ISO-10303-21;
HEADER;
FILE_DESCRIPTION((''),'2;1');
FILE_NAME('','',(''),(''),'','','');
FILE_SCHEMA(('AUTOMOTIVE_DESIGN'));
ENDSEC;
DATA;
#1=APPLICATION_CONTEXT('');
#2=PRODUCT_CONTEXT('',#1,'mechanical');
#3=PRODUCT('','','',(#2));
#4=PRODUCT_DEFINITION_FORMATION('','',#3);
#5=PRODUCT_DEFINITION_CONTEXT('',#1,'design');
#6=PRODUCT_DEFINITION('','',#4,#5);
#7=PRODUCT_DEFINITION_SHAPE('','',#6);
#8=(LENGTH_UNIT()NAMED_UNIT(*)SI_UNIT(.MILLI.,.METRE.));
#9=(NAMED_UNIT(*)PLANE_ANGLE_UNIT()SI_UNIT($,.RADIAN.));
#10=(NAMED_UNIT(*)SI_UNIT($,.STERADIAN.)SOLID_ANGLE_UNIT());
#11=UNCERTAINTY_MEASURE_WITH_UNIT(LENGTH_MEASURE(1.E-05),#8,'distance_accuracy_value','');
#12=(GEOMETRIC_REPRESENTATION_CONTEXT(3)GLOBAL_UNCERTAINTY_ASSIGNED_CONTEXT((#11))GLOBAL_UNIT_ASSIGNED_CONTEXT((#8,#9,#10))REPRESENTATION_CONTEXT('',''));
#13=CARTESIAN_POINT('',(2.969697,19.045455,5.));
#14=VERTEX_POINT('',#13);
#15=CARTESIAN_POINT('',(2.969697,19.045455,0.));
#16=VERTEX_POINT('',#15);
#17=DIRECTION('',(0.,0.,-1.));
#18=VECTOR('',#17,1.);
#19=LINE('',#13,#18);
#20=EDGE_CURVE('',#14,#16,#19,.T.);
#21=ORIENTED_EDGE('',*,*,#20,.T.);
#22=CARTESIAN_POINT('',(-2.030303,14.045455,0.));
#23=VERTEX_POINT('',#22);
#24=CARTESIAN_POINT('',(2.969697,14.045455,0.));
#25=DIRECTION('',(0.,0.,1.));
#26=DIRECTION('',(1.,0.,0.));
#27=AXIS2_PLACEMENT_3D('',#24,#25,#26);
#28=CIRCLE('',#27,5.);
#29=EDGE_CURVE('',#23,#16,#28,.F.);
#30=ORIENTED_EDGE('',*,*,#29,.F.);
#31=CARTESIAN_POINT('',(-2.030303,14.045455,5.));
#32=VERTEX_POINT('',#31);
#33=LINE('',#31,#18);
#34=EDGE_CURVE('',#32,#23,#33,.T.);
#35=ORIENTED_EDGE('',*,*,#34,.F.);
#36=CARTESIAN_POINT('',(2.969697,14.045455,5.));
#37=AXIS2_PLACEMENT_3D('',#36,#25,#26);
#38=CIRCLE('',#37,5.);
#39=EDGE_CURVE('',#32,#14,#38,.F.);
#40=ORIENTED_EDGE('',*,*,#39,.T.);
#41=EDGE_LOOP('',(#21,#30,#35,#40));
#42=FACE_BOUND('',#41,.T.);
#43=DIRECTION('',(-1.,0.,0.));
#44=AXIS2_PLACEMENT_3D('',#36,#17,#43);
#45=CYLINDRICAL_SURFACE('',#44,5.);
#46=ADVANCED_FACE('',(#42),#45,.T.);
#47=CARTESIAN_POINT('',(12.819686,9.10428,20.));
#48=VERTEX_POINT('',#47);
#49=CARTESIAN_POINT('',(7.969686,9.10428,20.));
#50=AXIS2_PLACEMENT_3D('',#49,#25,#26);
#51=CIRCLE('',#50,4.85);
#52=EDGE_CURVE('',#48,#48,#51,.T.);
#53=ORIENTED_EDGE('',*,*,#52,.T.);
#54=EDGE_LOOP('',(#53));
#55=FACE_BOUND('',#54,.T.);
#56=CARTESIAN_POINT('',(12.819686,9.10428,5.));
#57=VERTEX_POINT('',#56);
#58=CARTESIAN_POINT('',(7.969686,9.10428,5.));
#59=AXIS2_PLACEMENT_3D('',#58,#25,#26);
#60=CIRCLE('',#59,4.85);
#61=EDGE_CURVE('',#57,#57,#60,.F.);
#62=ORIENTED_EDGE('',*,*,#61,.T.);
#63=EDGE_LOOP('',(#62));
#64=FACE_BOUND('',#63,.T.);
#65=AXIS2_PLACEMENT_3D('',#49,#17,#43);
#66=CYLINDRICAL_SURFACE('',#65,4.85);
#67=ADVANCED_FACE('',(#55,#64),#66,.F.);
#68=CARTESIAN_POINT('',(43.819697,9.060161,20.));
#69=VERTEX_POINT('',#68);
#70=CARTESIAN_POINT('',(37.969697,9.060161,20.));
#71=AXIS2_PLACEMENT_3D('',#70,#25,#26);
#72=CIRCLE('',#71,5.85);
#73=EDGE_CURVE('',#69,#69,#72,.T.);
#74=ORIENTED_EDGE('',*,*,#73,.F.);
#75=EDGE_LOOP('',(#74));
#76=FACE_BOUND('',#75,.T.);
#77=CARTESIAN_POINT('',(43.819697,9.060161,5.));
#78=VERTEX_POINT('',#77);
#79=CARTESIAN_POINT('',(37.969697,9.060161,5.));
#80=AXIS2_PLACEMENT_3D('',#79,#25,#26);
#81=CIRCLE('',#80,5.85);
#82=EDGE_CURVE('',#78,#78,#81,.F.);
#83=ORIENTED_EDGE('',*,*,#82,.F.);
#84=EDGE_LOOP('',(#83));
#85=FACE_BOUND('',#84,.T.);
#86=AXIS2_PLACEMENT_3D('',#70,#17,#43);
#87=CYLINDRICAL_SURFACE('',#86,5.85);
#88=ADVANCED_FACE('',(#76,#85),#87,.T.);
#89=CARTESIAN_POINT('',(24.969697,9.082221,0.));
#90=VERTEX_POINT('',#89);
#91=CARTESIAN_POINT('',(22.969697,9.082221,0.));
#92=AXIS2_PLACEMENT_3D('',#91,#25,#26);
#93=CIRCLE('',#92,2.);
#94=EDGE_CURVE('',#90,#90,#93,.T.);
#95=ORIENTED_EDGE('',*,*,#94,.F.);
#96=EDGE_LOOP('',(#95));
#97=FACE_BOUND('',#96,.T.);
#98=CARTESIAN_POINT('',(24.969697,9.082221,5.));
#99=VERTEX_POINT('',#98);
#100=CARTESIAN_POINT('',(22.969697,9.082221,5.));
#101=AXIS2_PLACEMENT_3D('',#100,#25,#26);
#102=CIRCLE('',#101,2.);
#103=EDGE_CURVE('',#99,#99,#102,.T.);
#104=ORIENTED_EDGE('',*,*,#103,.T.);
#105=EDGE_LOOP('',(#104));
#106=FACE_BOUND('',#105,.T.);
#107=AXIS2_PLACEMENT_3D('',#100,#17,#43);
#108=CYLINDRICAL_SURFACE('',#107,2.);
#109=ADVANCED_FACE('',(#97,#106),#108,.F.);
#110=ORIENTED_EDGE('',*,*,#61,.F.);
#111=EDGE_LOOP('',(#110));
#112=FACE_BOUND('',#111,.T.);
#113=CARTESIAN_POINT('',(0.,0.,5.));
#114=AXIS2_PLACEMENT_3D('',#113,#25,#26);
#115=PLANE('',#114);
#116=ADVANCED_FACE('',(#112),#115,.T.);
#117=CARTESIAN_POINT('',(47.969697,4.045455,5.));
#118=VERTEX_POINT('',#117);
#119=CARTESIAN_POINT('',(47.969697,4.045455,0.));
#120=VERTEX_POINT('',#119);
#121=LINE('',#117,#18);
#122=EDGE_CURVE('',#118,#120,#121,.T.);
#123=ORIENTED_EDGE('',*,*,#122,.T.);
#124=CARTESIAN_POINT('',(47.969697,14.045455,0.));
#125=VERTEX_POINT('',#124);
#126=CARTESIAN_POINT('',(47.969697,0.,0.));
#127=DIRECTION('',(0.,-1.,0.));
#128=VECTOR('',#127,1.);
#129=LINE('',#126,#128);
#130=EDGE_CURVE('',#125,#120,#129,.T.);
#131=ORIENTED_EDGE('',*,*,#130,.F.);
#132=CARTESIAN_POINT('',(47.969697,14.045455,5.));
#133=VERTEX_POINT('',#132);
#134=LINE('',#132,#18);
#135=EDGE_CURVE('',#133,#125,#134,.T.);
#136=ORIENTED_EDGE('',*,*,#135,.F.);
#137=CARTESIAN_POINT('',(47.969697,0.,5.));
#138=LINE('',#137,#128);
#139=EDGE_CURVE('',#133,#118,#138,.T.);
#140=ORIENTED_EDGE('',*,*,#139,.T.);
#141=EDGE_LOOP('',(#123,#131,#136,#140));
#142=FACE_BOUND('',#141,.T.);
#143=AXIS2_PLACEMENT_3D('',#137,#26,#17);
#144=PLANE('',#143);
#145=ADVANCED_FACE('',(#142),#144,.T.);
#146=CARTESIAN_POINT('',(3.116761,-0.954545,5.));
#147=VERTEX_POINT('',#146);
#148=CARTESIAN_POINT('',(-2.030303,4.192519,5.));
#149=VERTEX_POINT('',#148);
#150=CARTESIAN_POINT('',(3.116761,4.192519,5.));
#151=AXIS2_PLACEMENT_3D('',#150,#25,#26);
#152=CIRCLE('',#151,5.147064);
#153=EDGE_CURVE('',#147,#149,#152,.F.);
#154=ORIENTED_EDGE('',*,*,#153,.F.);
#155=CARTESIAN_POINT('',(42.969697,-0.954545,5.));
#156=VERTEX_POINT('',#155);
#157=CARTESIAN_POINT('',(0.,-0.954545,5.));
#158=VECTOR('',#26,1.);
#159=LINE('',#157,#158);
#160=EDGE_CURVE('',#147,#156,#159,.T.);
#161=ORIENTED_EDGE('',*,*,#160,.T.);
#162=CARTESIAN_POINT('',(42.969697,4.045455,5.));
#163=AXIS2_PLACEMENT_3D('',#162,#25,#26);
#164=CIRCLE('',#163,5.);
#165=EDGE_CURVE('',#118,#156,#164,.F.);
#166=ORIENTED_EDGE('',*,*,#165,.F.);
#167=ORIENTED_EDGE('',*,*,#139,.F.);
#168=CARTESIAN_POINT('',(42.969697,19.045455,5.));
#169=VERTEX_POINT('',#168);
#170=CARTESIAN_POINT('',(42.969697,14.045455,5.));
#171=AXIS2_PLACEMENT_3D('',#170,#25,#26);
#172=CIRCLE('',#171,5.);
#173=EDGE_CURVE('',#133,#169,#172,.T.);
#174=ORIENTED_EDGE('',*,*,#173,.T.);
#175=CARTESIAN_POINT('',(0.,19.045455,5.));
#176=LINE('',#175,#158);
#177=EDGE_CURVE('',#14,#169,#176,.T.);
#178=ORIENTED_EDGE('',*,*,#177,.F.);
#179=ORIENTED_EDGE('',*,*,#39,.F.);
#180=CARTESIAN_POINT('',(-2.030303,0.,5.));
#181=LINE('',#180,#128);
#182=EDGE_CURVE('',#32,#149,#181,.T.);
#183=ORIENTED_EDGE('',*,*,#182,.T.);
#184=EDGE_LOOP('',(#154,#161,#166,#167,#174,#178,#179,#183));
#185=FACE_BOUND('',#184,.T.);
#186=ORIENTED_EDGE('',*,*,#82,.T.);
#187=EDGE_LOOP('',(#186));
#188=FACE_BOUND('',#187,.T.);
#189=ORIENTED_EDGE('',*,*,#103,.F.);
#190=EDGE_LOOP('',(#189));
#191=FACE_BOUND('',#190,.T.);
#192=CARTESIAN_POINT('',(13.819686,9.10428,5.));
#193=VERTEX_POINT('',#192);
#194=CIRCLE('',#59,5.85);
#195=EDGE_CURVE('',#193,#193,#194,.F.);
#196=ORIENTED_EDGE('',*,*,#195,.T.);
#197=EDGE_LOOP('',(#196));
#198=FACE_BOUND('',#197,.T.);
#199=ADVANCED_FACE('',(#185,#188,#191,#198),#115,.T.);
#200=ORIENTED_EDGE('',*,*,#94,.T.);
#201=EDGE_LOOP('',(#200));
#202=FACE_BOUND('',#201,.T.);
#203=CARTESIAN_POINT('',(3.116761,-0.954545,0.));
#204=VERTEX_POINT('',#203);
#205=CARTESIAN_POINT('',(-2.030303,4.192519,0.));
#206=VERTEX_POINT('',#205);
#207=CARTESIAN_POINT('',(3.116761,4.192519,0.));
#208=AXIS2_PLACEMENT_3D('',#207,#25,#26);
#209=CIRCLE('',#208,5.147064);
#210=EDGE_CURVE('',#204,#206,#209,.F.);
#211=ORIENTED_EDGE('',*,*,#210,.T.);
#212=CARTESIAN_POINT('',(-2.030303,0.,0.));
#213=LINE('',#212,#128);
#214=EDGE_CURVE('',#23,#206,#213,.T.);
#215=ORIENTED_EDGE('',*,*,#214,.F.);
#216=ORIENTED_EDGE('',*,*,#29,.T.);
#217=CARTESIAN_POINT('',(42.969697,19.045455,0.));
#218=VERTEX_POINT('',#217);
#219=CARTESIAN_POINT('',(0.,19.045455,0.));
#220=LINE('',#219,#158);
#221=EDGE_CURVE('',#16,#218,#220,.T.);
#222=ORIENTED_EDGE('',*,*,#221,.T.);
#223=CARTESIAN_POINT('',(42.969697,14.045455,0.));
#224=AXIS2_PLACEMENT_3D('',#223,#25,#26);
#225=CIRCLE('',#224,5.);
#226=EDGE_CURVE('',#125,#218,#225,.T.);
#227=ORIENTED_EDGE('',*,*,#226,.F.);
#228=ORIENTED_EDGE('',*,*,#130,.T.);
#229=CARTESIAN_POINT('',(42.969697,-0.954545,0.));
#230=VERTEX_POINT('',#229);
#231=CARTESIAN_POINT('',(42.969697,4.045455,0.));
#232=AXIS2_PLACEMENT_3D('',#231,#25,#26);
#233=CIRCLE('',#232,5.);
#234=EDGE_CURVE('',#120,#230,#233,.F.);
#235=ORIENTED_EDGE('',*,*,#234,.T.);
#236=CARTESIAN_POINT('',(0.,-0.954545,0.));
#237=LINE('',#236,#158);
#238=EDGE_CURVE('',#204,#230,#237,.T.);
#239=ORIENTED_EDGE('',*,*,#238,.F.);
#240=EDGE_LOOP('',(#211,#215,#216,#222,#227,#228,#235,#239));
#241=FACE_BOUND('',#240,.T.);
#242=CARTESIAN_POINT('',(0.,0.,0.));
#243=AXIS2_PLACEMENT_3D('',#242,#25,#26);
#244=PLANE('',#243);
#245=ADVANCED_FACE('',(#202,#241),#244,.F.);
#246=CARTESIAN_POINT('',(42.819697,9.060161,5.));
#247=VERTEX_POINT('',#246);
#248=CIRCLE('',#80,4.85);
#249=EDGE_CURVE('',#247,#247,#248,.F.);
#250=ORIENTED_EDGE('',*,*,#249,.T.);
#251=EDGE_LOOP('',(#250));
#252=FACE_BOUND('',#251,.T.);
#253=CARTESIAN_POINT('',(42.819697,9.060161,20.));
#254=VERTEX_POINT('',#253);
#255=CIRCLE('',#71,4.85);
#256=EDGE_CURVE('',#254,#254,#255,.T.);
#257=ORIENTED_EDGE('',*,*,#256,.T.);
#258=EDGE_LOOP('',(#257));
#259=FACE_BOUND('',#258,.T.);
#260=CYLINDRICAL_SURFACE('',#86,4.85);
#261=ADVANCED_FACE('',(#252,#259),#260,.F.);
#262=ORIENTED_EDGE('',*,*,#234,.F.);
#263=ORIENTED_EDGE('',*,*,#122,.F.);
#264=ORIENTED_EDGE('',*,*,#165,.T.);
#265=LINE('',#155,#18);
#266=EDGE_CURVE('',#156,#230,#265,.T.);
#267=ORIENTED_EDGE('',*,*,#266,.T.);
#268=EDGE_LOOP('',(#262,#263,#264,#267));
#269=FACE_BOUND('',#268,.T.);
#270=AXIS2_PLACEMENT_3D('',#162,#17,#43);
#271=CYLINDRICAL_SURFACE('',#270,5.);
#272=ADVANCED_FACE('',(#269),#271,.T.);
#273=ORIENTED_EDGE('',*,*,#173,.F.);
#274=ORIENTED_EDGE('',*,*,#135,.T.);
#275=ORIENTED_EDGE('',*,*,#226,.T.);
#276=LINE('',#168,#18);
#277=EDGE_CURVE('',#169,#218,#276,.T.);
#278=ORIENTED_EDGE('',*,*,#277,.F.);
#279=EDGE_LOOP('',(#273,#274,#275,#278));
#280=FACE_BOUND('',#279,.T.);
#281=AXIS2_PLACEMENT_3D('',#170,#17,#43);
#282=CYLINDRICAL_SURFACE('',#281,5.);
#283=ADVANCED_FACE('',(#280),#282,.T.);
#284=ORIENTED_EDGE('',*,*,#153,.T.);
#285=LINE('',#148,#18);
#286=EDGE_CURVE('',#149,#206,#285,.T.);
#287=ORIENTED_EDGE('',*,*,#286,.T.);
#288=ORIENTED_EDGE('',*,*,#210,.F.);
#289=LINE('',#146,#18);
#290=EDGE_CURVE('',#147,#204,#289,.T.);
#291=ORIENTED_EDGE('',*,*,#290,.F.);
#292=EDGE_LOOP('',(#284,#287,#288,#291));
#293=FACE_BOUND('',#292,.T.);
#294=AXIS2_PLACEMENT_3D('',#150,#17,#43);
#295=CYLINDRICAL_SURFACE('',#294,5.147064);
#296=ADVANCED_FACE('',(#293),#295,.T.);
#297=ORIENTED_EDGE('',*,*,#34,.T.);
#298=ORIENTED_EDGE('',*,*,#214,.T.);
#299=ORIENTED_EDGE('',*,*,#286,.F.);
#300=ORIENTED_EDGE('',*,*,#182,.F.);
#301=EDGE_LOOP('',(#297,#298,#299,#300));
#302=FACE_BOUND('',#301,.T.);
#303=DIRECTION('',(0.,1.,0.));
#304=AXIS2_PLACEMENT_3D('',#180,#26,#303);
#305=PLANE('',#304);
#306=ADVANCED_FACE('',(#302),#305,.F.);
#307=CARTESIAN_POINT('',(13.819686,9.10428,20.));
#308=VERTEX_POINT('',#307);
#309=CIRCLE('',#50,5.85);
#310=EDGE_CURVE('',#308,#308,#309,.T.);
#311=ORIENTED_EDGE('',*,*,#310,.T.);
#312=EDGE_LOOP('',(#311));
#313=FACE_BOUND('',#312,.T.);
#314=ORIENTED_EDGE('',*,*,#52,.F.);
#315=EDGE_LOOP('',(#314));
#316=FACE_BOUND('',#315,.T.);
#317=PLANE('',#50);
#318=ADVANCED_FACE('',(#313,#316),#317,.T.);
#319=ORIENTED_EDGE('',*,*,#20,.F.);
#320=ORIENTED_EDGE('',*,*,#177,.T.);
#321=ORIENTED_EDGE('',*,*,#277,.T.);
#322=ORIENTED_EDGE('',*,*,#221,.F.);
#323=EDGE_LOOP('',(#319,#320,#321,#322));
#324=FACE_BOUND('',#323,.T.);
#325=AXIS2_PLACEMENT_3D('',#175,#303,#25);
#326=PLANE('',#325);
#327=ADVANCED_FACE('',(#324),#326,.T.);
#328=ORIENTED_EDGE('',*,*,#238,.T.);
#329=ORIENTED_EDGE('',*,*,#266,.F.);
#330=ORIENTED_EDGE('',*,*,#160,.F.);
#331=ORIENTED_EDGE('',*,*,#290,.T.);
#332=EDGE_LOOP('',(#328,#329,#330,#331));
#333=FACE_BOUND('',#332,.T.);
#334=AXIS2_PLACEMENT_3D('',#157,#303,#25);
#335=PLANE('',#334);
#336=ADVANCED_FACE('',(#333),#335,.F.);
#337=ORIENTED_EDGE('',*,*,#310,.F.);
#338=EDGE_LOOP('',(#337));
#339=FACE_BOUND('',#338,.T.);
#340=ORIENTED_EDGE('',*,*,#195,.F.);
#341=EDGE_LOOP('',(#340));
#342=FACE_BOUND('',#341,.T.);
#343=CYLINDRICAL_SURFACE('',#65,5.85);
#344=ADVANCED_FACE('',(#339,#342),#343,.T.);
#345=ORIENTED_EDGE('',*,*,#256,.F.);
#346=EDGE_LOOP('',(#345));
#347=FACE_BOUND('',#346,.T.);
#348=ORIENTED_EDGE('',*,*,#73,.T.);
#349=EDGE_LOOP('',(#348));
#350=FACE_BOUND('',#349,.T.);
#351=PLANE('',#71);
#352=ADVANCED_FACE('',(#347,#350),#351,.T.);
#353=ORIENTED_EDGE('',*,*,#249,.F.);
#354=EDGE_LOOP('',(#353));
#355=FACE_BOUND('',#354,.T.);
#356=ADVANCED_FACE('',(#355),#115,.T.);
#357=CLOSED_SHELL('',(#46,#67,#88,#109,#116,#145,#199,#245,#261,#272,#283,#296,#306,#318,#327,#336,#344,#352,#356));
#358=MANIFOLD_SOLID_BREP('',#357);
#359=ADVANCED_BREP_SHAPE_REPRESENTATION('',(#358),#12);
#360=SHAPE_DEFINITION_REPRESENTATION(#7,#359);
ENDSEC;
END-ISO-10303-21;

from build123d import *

# Parameters (mm, degrees)
SKETCH1_R           = 2
BOSS_EXTRUDE1_DEPTH = 5
SKETCH1_4_R         = 5.85
SKETCH1_4_R_2       = 4.85
EXTRUDE_THIN1_DEPTH = 20


with BuildPart() as part:
    # Sketch1 → Boss-Extrude1 (new body)
    with BuildSketch(Plane.XY):
        with BuildLine():
            Line((2.96969697, 19.045454545), (42.96969697, 19.045454545))
            ThreePointArc((42.96969697, 19.045454545), (46.505230876, 17.580988451), (47.96969697, 14.045454545))
            Line((47.96969697, 14.045454545), (47.96969697, 4.045454545))
            ThreePointArc((47.96969697, 4.045454545), (46.505230876, 0.50992064), (42.96969697, -0.954545455))
            Line((42.96969697, -0.954545455), (3.116761061, -0.954545455))
            ThreePointArc((3.116761061, -0.954545455), (-0.522762861, 0.552994715), (-2.03030303, 4.192518637))
            Line((-2.03030303, 4.192518637), (-2.03030303, 14.045454545))
            ThreePointArc((-2.03030303, 14.045454545), (-0.565836936, 17.580988451), (2.96969697, 19.045454545))
        make_face()
        with Locations((22.96969697, 9.082220568)):
            Circle(SKETCH1_R, mode=Mode.SUBTRACT)
    extrude(amount=BOSS_EXTRUDE1_DEPTH)

    # Sketch1<4> → Extrude-Thin1 (add)
    with BuildSketch(Plane.XY):
        with Locations((7.969686156, 9.104280198)):
            Circle(SKETCH1_4_R)
        with Locations((7.969686156, 9.104280198)):
            Circle(SKETCH1_4_R_2, mode=Mode.SUBTRACT)
        with Locations((37.96969697, 9.060160955)):
            Circle(SKETCH1_4_R)
        with Locations((37.96969697, 9.060160955)):
            Circle(SKETCH1_4_R_2, mode=Mode.SUBTRACT)
    extrude(amount=EXTRUDE_THIN1_DEPTH)


solid = part.part
